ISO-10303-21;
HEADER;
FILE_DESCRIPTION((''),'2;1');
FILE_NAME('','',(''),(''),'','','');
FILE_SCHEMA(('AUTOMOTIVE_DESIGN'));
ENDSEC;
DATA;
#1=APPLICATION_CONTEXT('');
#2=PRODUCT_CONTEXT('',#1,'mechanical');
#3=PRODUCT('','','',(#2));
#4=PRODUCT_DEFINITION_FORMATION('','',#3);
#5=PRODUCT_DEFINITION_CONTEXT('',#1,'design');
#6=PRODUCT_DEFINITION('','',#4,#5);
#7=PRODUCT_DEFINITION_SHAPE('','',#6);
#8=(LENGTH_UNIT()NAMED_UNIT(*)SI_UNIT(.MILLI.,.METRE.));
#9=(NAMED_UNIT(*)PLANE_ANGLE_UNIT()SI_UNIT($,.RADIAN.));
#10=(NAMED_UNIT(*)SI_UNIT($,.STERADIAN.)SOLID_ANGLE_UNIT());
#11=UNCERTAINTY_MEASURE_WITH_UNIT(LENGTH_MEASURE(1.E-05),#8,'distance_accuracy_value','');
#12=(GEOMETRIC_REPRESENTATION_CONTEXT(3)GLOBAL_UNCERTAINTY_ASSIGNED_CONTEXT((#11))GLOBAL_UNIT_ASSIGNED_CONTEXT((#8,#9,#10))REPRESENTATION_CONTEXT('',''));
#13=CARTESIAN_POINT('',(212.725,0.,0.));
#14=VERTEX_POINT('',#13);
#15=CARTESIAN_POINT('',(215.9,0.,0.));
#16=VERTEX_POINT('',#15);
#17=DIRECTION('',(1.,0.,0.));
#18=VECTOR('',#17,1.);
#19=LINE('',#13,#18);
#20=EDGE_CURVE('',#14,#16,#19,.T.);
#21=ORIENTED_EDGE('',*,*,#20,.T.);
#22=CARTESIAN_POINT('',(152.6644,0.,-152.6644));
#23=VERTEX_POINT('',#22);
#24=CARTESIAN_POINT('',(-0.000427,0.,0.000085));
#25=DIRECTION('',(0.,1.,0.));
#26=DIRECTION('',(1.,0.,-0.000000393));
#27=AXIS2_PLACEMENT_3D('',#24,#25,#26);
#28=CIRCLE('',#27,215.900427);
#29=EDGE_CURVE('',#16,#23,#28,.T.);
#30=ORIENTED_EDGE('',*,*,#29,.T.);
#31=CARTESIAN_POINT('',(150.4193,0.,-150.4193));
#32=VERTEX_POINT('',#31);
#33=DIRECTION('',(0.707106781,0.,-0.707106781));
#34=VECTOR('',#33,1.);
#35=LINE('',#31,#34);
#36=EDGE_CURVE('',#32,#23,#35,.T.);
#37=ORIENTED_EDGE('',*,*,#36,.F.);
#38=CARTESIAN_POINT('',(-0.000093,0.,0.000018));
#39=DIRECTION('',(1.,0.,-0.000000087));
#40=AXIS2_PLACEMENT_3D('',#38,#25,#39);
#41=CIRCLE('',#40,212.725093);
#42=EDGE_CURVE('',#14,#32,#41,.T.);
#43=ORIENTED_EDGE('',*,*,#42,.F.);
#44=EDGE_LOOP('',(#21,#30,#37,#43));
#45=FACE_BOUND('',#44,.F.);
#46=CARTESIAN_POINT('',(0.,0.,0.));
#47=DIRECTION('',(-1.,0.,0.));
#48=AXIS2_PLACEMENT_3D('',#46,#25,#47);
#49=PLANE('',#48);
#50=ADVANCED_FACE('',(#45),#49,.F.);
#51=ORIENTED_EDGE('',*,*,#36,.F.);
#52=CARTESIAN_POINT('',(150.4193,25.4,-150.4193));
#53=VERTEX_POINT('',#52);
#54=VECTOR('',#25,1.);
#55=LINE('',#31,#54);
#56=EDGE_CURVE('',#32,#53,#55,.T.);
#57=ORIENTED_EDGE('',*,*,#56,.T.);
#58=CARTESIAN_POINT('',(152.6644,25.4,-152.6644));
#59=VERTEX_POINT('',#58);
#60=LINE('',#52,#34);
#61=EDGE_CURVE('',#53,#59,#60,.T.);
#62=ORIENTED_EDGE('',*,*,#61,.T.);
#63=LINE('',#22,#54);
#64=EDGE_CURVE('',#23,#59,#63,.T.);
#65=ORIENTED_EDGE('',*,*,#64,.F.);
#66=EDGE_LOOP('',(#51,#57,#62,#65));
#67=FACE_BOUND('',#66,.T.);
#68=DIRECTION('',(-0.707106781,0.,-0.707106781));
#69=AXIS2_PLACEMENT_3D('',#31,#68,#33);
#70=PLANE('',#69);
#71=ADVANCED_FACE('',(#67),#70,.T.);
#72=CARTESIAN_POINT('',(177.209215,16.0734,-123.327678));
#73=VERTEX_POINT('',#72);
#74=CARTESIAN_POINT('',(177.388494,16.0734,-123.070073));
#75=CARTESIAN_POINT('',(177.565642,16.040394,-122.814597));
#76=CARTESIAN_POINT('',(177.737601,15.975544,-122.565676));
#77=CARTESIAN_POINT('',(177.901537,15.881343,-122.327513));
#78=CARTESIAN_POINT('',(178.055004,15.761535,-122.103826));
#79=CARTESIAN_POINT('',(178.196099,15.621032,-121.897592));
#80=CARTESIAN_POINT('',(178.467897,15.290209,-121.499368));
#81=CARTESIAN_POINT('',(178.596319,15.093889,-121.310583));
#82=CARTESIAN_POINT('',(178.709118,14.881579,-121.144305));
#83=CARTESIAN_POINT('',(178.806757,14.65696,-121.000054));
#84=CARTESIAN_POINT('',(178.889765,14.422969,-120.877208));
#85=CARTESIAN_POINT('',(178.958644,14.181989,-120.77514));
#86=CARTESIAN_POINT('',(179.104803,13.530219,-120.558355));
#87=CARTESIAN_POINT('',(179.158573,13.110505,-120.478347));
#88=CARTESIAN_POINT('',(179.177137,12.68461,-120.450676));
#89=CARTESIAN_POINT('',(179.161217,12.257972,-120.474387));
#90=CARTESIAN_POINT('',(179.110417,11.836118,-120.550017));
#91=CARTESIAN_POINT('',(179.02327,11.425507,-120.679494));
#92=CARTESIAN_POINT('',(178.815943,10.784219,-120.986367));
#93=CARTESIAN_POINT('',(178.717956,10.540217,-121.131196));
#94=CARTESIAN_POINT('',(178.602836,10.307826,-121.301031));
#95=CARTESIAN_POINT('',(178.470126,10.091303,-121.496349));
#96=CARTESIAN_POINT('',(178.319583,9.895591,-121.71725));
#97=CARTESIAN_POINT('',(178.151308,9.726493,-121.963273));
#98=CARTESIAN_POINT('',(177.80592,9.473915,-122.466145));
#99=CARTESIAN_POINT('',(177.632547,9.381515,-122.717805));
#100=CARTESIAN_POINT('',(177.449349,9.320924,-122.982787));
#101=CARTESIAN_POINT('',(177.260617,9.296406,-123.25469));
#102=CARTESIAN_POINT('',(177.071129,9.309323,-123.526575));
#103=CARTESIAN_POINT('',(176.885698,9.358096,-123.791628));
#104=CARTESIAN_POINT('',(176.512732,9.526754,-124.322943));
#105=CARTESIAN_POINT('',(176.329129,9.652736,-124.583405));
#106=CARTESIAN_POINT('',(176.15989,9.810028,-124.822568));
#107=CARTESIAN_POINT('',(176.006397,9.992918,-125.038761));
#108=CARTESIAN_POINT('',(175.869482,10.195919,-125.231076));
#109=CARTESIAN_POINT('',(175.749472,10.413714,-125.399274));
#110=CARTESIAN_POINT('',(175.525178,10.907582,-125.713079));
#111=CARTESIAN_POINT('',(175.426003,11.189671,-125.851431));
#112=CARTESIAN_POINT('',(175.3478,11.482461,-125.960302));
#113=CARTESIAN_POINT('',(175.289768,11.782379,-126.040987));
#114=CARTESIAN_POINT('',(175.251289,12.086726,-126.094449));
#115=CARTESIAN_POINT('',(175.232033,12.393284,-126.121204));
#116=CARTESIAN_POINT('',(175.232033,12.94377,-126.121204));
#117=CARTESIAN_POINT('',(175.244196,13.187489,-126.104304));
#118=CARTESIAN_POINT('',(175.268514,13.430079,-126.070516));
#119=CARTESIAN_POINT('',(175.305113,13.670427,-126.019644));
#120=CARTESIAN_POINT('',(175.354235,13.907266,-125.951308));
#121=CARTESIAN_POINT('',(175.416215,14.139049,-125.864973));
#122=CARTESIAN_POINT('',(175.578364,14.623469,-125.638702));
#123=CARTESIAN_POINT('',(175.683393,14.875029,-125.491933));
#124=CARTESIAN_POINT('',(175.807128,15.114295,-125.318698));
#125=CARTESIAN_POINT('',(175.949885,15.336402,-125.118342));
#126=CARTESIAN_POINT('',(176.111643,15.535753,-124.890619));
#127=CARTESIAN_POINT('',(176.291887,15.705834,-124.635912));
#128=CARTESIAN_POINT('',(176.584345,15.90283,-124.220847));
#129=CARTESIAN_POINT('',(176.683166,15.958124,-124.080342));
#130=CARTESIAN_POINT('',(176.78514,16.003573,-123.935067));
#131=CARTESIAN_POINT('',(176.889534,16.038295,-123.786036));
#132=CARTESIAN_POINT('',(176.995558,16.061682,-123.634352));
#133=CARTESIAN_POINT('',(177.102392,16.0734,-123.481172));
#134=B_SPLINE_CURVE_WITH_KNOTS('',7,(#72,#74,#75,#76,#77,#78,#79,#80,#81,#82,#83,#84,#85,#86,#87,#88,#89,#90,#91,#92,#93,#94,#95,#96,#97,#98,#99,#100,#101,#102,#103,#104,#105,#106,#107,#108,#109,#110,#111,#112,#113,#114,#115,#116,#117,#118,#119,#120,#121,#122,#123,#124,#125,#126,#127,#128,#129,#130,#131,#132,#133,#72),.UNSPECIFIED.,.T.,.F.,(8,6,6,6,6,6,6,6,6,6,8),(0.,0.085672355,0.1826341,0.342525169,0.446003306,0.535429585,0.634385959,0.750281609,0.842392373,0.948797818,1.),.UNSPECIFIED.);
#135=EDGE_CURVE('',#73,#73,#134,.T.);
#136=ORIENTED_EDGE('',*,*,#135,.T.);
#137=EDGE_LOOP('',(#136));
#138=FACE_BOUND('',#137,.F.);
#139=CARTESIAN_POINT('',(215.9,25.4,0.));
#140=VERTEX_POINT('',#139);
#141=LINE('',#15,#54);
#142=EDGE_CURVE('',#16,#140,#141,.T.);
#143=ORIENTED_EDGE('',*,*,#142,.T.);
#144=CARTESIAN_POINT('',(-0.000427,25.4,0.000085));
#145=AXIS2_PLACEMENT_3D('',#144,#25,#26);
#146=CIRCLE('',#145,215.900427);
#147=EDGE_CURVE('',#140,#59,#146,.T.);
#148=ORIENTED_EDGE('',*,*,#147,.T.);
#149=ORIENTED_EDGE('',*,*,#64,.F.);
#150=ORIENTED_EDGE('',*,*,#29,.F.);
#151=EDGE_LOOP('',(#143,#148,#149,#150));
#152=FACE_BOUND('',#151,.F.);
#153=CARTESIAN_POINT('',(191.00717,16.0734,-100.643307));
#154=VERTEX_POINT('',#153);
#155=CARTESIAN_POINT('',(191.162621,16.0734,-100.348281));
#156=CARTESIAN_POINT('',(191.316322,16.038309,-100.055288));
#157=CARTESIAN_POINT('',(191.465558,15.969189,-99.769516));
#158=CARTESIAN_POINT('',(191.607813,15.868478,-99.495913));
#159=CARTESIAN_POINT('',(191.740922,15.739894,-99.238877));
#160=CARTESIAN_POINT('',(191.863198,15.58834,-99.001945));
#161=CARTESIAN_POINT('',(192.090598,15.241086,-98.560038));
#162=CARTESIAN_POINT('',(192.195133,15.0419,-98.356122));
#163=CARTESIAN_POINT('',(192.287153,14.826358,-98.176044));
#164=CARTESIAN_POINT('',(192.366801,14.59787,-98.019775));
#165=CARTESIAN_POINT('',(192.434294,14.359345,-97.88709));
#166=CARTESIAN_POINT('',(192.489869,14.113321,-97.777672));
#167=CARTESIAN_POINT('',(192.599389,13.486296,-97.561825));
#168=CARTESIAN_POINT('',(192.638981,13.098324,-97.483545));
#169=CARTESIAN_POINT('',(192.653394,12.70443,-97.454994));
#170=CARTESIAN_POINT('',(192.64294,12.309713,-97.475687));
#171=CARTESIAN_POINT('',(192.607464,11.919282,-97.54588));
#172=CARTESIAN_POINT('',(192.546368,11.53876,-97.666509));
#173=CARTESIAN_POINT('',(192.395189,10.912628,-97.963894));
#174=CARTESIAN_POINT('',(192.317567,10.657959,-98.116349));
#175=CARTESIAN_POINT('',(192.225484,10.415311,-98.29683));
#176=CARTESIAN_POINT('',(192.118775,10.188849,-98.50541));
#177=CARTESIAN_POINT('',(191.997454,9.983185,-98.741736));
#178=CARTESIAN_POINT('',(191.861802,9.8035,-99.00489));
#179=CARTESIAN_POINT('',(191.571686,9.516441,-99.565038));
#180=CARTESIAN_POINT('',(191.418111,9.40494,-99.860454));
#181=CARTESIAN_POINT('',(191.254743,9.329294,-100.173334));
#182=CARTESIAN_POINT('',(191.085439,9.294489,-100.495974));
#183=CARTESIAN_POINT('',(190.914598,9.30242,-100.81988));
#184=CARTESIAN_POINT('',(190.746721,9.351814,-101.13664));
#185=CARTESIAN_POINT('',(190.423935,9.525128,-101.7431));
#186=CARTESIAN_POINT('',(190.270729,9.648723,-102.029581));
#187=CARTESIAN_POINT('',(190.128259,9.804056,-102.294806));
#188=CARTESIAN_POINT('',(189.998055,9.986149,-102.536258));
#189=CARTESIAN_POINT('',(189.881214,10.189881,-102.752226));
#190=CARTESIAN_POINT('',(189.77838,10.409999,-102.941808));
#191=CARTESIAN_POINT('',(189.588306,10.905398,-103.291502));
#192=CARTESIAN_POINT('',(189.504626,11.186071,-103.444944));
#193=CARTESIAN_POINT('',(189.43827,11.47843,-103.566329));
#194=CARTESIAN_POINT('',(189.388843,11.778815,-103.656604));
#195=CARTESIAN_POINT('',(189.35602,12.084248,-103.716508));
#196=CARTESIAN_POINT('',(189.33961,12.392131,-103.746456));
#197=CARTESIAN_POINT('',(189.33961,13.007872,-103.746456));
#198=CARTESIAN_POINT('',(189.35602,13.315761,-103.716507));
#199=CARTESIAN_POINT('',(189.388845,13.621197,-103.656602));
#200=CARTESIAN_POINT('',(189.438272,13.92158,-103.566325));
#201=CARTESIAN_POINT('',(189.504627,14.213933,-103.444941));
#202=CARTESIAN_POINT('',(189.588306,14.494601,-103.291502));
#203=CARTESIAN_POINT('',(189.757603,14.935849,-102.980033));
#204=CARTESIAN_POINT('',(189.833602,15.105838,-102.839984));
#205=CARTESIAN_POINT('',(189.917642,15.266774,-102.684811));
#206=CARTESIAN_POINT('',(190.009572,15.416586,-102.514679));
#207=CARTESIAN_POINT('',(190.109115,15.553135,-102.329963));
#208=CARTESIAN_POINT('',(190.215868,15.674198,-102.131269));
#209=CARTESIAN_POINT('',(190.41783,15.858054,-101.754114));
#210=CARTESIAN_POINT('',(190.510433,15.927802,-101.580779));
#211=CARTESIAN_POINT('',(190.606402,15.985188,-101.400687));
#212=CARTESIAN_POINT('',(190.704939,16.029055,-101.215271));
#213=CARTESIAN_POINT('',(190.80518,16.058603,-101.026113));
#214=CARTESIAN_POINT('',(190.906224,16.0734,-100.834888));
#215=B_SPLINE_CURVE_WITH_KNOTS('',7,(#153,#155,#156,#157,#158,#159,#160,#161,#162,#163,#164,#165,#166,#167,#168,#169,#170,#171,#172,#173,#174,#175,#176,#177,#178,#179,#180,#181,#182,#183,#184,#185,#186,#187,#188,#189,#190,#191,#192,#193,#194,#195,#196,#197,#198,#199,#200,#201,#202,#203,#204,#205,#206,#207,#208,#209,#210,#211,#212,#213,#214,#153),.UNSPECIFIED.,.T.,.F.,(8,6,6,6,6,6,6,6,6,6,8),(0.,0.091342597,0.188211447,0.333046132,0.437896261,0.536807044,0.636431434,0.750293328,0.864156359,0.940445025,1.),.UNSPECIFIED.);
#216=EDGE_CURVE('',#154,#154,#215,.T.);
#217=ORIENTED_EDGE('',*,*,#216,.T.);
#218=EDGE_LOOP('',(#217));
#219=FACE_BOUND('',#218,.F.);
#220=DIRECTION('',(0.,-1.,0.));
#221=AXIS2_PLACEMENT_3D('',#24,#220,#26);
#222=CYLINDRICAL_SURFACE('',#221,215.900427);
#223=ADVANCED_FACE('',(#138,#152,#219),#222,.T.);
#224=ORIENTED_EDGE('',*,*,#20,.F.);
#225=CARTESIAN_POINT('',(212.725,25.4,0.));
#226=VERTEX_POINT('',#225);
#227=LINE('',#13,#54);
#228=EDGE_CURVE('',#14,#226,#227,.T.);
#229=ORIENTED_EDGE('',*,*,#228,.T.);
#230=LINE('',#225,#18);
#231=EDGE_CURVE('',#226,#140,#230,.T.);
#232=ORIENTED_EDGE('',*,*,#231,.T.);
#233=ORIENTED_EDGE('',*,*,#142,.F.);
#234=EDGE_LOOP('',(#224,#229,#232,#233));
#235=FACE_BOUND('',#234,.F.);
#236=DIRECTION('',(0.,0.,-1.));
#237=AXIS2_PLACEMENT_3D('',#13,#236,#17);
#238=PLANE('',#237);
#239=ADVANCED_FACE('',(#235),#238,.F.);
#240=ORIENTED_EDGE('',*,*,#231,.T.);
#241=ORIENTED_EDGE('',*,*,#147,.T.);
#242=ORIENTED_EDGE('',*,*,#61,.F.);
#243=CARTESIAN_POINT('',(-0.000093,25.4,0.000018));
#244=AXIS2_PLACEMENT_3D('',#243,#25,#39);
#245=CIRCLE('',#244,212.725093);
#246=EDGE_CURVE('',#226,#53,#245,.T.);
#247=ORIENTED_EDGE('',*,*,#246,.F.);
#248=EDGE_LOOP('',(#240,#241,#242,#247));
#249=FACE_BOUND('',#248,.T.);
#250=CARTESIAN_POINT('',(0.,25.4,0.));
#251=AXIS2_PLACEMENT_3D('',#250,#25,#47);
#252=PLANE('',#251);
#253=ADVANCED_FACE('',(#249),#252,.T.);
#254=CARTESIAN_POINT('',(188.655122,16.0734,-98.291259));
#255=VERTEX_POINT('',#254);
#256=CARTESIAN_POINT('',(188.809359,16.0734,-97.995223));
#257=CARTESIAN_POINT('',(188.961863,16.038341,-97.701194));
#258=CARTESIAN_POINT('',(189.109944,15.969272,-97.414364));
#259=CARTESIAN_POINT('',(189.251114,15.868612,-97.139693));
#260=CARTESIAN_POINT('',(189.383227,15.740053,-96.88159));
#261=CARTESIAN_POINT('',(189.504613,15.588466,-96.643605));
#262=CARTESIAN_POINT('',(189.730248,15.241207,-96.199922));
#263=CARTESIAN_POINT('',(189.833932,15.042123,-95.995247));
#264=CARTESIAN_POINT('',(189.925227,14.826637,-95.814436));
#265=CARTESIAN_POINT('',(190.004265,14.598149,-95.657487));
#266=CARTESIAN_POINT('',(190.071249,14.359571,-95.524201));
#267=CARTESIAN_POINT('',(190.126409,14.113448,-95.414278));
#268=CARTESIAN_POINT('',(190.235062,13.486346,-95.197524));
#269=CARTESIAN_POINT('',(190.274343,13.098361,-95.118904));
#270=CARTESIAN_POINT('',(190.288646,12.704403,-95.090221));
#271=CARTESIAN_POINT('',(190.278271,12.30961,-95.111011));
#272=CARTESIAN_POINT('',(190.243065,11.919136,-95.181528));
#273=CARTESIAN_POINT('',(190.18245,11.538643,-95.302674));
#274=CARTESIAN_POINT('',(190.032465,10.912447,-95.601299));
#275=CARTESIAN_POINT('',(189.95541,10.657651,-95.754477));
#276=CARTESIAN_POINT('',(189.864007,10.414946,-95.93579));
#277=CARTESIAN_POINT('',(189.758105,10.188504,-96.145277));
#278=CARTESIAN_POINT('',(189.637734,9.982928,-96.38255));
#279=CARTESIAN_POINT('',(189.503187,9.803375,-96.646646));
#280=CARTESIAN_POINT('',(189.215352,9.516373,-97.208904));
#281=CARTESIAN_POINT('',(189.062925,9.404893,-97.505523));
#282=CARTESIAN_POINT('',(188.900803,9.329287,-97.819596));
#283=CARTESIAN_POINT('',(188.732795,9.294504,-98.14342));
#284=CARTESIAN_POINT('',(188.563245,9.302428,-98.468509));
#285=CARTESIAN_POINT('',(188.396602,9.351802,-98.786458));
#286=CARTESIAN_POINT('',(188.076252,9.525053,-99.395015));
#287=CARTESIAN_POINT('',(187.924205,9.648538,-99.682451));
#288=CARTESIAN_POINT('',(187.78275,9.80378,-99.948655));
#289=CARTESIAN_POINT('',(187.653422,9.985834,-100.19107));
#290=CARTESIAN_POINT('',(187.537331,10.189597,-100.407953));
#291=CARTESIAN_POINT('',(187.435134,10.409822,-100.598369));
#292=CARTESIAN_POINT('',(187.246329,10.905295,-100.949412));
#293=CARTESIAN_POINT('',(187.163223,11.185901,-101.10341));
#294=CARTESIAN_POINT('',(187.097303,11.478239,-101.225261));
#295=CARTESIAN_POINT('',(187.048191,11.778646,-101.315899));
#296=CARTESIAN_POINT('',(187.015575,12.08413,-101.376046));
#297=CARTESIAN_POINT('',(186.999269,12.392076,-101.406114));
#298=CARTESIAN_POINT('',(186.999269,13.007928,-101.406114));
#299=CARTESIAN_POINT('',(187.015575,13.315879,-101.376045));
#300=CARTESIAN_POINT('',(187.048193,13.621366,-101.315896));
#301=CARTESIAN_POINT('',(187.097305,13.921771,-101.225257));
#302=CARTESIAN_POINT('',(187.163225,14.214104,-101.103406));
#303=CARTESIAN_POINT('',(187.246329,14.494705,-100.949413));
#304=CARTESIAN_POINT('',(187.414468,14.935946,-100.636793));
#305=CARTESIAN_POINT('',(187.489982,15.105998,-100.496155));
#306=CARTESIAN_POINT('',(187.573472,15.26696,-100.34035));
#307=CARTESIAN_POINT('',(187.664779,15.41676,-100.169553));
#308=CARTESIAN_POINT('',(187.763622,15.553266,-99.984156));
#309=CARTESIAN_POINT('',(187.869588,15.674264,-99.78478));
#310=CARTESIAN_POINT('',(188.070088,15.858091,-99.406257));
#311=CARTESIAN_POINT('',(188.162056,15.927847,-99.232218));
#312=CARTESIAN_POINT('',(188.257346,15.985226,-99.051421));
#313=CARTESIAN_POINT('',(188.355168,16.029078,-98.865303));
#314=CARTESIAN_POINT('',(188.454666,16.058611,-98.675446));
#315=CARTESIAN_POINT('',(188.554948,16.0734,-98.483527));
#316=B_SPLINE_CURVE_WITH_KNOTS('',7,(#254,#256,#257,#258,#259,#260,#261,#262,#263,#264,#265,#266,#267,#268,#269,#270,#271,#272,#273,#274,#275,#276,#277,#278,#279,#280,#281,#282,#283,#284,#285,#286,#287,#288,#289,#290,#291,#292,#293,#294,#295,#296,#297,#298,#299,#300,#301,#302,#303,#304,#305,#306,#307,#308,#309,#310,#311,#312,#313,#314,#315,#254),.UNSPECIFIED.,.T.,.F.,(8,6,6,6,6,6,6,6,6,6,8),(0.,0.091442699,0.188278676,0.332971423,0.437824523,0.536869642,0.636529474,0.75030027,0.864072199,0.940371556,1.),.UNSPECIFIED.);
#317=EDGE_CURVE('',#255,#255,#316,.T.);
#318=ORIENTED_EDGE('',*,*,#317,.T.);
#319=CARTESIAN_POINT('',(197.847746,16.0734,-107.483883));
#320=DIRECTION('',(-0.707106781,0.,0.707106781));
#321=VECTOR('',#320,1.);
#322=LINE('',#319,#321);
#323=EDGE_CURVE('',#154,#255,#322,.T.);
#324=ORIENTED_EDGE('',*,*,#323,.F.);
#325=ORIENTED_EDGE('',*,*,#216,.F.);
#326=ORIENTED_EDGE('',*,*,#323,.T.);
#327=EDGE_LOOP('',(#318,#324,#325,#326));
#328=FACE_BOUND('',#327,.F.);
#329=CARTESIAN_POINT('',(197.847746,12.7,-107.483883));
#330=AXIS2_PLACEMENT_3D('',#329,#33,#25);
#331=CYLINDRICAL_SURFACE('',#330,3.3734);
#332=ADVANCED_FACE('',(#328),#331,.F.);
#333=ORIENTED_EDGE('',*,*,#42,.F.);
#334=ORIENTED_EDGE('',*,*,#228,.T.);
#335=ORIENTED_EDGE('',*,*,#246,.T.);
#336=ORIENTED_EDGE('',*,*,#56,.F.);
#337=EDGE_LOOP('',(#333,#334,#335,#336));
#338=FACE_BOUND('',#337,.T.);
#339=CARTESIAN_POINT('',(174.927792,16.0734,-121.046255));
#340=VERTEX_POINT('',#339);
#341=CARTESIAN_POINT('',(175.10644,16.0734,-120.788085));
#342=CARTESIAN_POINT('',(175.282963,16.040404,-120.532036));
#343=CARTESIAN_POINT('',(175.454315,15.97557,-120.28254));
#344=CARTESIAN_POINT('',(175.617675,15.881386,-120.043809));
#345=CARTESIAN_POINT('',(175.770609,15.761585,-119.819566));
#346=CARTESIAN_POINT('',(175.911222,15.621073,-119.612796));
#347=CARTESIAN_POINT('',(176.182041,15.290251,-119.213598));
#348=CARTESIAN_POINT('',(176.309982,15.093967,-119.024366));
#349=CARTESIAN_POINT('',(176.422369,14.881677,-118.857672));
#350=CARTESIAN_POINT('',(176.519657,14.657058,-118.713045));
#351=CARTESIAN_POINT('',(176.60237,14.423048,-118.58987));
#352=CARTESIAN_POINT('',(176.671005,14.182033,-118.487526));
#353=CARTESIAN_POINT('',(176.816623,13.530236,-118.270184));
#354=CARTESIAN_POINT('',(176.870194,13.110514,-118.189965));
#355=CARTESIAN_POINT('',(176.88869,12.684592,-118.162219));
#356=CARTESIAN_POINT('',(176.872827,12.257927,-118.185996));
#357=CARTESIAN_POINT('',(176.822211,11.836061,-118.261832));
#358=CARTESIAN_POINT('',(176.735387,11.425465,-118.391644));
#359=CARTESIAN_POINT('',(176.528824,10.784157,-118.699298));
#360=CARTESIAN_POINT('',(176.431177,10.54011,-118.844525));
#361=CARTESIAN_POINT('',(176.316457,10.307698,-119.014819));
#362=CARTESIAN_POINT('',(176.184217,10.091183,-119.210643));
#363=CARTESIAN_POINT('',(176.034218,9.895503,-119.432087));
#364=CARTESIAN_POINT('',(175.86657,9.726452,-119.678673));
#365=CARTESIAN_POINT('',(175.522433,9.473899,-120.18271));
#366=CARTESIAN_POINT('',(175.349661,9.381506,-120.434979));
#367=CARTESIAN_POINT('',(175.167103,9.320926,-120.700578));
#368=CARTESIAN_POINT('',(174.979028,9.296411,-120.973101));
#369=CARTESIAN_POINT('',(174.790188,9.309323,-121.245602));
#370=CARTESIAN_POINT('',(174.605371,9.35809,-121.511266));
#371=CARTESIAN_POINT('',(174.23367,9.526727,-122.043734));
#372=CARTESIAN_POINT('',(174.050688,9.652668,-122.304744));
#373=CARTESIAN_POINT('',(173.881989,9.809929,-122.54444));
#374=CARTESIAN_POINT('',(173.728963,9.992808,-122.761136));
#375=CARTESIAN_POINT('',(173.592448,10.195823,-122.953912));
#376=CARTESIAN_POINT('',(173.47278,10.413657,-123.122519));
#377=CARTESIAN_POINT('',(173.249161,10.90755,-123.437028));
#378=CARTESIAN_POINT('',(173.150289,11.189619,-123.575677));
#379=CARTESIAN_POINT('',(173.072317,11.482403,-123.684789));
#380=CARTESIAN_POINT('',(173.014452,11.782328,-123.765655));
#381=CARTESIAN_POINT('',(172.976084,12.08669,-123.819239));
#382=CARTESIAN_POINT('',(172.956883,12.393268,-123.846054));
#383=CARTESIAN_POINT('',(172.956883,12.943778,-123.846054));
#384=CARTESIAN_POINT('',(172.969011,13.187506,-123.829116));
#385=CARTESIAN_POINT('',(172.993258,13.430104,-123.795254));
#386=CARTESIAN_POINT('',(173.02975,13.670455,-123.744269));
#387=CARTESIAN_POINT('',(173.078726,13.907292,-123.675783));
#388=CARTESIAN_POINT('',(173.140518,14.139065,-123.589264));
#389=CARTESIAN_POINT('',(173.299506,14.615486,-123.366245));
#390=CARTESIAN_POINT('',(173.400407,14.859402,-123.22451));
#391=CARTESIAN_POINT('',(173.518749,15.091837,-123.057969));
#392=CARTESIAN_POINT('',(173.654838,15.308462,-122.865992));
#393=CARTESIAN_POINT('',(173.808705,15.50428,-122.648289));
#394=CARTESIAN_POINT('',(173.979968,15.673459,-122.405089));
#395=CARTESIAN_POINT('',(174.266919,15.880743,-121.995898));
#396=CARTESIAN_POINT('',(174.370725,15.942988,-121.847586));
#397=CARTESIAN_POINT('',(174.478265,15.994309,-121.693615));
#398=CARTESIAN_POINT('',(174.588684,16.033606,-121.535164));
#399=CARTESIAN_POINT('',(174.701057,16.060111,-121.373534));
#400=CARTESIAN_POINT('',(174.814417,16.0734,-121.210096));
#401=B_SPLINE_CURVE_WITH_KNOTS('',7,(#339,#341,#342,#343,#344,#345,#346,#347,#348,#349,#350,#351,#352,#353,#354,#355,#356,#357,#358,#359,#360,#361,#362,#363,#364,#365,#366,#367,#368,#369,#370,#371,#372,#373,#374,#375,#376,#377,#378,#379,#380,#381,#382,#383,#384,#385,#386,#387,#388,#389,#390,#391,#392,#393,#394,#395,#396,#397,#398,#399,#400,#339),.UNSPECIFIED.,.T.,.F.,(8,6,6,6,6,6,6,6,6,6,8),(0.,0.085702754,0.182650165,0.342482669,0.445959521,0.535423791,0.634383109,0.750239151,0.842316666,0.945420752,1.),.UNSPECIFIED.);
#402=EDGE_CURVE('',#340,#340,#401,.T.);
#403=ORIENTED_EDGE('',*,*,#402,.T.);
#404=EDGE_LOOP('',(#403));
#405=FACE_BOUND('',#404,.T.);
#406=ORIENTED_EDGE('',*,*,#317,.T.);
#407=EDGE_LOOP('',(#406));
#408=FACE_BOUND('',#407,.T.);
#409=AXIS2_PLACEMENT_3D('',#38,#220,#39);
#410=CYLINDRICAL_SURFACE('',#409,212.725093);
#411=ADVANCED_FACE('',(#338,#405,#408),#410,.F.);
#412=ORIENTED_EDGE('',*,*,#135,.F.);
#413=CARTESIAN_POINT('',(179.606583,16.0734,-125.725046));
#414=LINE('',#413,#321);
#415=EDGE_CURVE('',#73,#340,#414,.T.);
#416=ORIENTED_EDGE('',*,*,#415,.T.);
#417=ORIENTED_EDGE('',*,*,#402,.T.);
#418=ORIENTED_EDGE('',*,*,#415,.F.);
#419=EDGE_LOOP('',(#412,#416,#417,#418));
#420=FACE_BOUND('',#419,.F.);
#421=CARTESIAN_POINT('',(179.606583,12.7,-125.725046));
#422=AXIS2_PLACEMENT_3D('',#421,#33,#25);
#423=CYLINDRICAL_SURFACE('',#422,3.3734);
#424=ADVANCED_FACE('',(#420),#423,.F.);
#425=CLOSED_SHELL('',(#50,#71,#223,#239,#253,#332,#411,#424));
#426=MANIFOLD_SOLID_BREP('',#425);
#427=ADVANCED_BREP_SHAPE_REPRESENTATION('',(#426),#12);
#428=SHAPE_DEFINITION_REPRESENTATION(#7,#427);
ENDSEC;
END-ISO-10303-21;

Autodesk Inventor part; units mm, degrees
ref_plane "YZ Plane" through (0, 0, 0) normal (1, 0, 0) x (0, 1, 0)
ref_plane "XZ Plane" through (0, 0, 0) normal (0, 1, 0) x (-1, 0, 0)
ref_plane "XY Plane" through (0, 0, 0) normal (0, 0, 1) x (1, 0, 0)
sketch "Sketch1" plane through (0, 0, 0) normal (0, 1, 0) x (-1, 0, 0)
  arc A0 (-215.9, 0) -> (-152.6644, -152.6644) centre (0, 0) ccw
  arc A1 (-212.725, 0) -> (-150.4193, -150.4193) centre (0, 0) ccw
  line L0 (-150.4193, -150.4193) -> (-152.6644, -152.6644)
  line L1 (-212.725, 0) -> (-215.9, 0)
  dimension "d0" = 431.8
  dimension "d1" = 3.175
  dimension "d2" = 45
extrude "Extrusion1" add sketch "Sketch1" along normal blind 25.4
ref_plane "Work Plane1" through (152.6644, 0, -152.6644) normal (0.7071, 0, -0.7071) x (0, 1, 0)
sketch "Sketch2" plane through (152.6644, 0, -152.6644) normal (0.7071, 0, -0.7071) x (0, 1, 0)
  circle A0 centre (12.7, 38.1) radius 3.3734
  line L0 (0, 0) -> (25.4, 0) projected
  circle A1 centre (12.7, 63.8969) radius 3.3734
  line L1 (25.4, 150.4193) -> (25.4, 0) projected
  dimension "d5" = 6.7469
  dimension "d6" = 38.1
  dimension "d7" = 6.7469
  dimension "d8" = 19.05
  dimension "d9" = 12.7
  dimension "d10" = 12.7
extrude "Extrusion2" cut sketch "Sketch2" against normal blind 17.78
properties material "Aluminum 6061"
